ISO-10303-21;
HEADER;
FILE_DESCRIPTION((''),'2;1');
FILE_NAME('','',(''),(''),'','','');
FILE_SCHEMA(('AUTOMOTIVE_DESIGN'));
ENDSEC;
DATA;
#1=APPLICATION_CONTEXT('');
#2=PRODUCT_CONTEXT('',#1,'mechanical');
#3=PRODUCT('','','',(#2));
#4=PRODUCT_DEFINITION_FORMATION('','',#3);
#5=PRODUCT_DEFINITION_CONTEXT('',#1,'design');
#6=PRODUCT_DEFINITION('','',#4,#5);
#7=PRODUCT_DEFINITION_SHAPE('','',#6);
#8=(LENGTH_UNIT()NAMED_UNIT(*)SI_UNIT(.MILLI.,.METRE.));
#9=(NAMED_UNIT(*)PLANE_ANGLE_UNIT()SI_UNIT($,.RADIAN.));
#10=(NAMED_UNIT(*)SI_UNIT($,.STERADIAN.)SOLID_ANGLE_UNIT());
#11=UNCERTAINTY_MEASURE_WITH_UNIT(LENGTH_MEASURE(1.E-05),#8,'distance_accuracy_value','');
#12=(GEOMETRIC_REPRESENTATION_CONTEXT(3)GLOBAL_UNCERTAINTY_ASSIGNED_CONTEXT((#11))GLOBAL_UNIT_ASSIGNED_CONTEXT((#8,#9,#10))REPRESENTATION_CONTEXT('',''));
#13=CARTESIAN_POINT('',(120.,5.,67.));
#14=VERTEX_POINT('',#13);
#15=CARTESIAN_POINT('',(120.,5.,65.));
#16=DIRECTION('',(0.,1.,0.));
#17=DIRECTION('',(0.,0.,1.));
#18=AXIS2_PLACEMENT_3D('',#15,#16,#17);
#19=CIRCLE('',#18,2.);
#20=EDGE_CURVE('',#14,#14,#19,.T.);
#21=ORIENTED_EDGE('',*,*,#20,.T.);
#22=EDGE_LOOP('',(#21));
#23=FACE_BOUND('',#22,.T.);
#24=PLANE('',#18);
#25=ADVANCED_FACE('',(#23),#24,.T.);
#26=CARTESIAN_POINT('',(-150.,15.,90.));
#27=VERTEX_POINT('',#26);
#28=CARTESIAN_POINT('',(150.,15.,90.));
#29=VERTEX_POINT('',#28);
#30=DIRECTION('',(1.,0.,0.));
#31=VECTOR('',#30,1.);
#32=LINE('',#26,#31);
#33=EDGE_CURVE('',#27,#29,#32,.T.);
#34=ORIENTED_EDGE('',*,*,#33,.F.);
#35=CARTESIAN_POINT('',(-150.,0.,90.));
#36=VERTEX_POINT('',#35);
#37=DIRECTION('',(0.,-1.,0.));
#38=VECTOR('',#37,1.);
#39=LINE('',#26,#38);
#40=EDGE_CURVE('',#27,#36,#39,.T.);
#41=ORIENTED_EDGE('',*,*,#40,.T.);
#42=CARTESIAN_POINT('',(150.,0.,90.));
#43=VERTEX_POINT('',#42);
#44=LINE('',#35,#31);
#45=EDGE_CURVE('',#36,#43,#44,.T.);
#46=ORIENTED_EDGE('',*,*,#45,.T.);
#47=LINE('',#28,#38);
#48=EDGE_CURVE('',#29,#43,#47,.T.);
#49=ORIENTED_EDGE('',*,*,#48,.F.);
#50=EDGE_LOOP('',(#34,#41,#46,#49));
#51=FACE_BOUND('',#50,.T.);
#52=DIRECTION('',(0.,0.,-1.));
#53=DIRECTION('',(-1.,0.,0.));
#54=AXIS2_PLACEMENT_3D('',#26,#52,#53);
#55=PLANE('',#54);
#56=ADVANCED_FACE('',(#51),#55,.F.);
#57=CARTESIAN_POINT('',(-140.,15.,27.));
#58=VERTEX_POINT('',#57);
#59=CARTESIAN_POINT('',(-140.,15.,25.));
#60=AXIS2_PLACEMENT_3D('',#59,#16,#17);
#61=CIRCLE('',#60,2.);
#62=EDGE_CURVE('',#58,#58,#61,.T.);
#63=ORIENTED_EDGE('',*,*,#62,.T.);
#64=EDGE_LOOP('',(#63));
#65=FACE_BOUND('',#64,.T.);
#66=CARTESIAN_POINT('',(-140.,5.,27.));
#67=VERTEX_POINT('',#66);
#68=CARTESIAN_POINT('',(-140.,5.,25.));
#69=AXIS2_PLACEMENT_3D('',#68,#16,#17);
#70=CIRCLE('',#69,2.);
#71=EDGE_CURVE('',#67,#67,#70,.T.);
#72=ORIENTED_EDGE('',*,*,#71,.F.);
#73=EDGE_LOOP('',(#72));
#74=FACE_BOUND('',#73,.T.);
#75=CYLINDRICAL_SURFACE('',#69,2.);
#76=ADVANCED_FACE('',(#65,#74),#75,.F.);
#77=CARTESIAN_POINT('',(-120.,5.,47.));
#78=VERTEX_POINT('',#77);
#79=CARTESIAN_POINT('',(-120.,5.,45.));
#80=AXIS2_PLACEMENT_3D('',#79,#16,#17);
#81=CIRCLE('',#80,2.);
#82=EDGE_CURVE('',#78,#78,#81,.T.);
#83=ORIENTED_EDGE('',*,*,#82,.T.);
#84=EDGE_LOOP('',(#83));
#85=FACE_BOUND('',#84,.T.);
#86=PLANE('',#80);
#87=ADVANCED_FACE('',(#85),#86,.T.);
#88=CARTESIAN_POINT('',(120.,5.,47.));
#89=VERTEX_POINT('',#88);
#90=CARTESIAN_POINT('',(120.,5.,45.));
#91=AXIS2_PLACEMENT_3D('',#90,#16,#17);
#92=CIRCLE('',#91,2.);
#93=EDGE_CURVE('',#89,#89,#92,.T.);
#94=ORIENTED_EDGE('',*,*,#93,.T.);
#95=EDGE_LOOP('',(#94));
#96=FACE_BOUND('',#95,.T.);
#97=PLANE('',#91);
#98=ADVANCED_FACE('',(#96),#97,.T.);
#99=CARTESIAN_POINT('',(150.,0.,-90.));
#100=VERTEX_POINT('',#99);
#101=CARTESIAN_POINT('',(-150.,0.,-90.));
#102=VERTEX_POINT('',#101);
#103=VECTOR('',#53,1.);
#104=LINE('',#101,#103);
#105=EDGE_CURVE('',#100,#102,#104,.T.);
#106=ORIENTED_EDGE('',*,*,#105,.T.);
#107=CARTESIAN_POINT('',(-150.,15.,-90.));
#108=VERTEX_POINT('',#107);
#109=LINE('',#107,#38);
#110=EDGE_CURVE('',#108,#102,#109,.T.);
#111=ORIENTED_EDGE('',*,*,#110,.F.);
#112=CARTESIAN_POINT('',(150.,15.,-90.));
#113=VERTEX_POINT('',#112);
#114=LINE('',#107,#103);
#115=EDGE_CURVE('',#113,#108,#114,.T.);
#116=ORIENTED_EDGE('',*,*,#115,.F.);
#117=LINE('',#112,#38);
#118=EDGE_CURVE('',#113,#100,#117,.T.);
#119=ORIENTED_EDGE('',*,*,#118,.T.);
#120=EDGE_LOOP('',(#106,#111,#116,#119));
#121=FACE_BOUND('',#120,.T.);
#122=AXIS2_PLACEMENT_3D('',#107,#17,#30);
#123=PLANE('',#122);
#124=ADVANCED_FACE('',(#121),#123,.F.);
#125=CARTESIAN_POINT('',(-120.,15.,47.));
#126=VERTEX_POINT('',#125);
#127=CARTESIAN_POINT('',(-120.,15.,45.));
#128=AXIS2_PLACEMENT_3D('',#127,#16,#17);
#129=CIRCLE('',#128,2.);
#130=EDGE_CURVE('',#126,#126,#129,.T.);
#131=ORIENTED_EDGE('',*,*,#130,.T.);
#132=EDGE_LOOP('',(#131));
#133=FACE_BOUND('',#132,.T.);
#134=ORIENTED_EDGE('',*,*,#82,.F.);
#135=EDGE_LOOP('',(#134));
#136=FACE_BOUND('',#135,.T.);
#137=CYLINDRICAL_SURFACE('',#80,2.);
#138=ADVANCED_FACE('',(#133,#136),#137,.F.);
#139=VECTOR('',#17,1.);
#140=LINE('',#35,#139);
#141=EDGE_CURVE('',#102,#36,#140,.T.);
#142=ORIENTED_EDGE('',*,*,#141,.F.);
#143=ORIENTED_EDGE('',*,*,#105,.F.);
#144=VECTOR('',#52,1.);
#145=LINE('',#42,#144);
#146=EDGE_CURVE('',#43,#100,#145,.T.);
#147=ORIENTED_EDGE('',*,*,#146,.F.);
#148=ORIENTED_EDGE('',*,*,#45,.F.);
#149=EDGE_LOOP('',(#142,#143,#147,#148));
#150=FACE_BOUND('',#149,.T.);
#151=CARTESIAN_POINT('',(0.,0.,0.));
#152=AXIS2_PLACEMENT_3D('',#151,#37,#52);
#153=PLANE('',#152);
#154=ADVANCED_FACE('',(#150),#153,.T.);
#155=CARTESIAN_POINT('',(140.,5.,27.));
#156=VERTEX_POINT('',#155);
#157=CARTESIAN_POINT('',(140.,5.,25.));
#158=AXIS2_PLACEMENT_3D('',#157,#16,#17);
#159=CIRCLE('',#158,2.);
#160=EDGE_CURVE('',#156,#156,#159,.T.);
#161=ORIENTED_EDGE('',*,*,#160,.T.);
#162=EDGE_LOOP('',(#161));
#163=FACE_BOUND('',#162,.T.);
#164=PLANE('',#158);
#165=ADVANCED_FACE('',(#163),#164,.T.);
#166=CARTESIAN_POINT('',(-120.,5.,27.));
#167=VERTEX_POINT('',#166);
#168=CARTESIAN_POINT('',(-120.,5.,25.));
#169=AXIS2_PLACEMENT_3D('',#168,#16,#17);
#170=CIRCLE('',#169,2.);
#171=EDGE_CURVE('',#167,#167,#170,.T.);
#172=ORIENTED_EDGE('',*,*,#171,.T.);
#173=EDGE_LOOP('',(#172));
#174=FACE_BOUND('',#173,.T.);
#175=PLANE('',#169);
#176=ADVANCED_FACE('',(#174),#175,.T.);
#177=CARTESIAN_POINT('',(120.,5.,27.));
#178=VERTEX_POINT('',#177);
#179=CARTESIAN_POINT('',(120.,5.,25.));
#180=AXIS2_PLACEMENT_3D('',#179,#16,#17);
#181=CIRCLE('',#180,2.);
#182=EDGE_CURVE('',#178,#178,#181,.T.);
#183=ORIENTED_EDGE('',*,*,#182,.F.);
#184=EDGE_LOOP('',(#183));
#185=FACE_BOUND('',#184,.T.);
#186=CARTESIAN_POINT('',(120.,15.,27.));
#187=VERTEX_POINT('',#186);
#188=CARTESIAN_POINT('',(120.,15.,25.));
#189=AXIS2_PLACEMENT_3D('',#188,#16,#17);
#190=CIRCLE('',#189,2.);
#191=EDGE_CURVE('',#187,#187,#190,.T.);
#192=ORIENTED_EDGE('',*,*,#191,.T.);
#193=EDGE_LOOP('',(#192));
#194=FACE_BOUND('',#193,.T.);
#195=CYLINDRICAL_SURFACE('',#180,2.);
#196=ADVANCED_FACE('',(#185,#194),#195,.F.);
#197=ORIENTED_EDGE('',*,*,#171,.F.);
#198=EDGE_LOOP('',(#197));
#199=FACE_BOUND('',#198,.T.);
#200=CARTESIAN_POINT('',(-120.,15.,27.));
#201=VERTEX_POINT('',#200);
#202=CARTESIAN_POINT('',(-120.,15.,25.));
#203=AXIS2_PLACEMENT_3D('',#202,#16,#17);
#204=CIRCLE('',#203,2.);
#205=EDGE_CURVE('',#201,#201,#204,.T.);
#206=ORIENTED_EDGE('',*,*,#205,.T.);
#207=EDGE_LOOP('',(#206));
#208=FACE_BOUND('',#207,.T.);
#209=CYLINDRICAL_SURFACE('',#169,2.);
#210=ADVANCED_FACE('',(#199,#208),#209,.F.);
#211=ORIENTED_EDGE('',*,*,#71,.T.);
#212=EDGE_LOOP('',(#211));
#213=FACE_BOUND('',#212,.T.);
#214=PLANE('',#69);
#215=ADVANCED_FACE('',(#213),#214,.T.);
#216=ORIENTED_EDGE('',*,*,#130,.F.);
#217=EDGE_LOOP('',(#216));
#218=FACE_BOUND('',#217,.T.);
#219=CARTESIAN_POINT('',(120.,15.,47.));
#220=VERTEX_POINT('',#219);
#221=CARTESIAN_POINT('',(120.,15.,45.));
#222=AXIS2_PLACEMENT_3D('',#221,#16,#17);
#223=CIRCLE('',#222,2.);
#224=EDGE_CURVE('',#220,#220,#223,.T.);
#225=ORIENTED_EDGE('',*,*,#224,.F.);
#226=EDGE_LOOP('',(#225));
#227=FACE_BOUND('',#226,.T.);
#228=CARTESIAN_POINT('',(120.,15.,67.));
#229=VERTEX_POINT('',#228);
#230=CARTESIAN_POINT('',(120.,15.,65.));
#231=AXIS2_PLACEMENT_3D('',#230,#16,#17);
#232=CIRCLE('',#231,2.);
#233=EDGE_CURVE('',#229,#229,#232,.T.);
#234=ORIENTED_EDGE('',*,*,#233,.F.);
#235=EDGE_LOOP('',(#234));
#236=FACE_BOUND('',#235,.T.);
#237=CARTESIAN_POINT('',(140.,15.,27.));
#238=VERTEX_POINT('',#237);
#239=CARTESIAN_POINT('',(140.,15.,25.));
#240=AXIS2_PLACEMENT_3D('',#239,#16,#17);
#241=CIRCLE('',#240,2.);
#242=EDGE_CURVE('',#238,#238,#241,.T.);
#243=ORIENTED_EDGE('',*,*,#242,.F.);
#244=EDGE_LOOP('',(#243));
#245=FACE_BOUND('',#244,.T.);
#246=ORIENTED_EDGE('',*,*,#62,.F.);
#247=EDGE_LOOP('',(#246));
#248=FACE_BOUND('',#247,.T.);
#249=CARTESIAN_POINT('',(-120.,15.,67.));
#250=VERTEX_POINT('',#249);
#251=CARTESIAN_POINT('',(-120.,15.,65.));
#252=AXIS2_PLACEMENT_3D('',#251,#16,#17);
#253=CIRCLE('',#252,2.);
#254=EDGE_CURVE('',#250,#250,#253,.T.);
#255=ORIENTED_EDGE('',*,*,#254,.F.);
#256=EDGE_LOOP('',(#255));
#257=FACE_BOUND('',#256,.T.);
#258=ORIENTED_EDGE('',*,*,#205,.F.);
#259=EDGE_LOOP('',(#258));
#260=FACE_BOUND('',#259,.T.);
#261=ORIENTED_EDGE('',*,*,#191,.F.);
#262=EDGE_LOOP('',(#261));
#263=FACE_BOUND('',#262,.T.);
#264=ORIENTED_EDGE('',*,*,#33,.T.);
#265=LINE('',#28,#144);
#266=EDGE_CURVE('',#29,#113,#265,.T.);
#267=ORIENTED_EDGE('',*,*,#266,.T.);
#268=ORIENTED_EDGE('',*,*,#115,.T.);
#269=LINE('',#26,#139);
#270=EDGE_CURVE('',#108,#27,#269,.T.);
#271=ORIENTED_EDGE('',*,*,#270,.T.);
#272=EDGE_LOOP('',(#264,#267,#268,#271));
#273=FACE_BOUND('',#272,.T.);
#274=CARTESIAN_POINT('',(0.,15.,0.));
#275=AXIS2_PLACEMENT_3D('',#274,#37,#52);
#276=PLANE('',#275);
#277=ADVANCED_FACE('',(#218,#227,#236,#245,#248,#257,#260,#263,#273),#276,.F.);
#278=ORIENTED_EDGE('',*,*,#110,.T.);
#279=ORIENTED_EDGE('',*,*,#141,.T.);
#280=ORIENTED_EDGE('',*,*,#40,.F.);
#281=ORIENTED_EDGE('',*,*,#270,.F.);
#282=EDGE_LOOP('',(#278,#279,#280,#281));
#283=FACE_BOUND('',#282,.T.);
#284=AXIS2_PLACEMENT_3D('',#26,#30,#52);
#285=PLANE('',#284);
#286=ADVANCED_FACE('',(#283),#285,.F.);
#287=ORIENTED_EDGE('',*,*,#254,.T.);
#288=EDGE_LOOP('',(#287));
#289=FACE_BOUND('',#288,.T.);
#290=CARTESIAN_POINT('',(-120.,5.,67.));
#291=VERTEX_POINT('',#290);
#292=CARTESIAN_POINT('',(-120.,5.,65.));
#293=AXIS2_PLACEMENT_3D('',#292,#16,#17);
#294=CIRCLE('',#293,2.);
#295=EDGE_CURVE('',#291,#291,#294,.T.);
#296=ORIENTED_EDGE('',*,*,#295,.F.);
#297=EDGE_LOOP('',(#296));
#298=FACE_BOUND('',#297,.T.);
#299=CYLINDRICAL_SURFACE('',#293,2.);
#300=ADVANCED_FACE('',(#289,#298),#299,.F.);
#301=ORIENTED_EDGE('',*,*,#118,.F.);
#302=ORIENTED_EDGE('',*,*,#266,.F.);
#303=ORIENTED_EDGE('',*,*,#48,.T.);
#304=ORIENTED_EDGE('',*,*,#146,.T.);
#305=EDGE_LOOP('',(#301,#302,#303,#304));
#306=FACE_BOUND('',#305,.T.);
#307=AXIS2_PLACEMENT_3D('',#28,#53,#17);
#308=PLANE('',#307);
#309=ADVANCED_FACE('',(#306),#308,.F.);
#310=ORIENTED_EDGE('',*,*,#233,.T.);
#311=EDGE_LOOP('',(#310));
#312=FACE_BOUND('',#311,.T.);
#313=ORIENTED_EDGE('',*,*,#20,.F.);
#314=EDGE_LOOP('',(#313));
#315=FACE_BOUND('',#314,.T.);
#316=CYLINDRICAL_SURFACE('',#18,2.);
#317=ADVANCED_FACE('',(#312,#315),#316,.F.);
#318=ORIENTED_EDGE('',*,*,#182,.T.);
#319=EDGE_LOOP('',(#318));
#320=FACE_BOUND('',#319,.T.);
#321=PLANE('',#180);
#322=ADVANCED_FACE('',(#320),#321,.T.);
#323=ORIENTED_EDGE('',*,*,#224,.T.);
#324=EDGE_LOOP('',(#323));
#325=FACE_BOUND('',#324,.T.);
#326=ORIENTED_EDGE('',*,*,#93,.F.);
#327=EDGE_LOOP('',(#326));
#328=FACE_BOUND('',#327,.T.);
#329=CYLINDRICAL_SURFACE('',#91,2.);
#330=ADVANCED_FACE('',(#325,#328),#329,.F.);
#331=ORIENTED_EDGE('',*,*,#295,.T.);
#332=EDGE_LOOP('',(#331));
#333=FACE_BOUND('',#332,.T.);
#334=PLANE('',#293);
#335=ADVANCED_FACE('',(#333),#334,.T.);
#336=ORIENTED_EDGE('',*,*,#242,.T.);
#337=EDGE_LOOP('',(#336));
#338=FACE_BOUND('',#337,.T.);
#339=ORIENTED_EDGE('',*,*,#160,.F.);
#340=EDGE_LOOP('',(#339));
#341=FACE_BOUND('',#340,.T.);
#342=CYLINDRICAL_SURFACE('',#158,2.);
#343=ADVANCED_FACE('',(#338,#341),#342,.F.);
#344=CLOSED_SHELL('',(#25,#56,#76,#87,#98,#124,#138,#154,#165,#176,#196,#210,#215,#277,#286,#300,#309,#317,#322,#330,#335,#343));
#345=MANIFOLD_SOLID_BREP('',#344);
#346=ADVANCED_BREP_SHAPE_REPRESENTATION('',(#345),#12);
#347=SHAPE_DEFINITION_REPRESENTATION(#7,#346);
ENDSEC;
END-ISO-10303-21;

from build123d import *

# Parameters (mm, degrees)
CROQUIS1_W              = 300
CROQUIS1_H              = 180
SALIENTE_EXTRUIR1_DEPTH = 15
CROQUIS2_R              = 2
CORTAR_EXTRUIR1_DEPTH   = 10


with BuildPart() as part:
    # Croquis1 → Saliente-Extruir1 (new body)
    with BuildSketch(Plane(origin=(0, 0, 0), x_dir=(1, 0, 0), z_dir=(0, 1, 0))):
        Rectangle(CROQUIS1_W, CROQUIS1_H)
    extrude(amount=SALIENTE_EXTRUIR1_DEPTH)

    # Croquis2 → Cortar-Extruir1 (cut)
    with BuildSketch(Plane(origin=(0, 15, 0), x_dir=(1, 0, 0), z_dir=(0, 1, 0))):
        with Locations(Location((-120, -65, 0), (0, 0, 270))):
            Circle(CROQUIS2_R)
        with Locations(Location((-120, -45, 0), (0, 0, 270))):
            Circle(CROQUIS2_R)
        with Locations(Location((120, -65, 0), (0, 0, 270))):
            Circle(CROQUIS2_R)
        with Locations(Location((120, -45, 0), (0, 0, 270))):
            Circle(CROQUIS2_R)
        with Locations(Location((-140, -25, 0), (0, 0, 270))):
            Circle(CROQUIS2_R)
        with Locations(Location((-120, -25, 0), (0, 0, 270))):
            Circle(CROQUIS2_R)
        with Locations(Location((120, -25, 0), (0, 0, 270))):
            Circle(CROQUIS2_R)
        with Locations(Location((140, -25, 0), (0, 0, 270))):
            Circle(CROQUIS2_R)
    extrude(amount=-CORTAR_EXTRUIR1_DEPTH, mode=Mode.SUBTRACT)


solid = part.part
